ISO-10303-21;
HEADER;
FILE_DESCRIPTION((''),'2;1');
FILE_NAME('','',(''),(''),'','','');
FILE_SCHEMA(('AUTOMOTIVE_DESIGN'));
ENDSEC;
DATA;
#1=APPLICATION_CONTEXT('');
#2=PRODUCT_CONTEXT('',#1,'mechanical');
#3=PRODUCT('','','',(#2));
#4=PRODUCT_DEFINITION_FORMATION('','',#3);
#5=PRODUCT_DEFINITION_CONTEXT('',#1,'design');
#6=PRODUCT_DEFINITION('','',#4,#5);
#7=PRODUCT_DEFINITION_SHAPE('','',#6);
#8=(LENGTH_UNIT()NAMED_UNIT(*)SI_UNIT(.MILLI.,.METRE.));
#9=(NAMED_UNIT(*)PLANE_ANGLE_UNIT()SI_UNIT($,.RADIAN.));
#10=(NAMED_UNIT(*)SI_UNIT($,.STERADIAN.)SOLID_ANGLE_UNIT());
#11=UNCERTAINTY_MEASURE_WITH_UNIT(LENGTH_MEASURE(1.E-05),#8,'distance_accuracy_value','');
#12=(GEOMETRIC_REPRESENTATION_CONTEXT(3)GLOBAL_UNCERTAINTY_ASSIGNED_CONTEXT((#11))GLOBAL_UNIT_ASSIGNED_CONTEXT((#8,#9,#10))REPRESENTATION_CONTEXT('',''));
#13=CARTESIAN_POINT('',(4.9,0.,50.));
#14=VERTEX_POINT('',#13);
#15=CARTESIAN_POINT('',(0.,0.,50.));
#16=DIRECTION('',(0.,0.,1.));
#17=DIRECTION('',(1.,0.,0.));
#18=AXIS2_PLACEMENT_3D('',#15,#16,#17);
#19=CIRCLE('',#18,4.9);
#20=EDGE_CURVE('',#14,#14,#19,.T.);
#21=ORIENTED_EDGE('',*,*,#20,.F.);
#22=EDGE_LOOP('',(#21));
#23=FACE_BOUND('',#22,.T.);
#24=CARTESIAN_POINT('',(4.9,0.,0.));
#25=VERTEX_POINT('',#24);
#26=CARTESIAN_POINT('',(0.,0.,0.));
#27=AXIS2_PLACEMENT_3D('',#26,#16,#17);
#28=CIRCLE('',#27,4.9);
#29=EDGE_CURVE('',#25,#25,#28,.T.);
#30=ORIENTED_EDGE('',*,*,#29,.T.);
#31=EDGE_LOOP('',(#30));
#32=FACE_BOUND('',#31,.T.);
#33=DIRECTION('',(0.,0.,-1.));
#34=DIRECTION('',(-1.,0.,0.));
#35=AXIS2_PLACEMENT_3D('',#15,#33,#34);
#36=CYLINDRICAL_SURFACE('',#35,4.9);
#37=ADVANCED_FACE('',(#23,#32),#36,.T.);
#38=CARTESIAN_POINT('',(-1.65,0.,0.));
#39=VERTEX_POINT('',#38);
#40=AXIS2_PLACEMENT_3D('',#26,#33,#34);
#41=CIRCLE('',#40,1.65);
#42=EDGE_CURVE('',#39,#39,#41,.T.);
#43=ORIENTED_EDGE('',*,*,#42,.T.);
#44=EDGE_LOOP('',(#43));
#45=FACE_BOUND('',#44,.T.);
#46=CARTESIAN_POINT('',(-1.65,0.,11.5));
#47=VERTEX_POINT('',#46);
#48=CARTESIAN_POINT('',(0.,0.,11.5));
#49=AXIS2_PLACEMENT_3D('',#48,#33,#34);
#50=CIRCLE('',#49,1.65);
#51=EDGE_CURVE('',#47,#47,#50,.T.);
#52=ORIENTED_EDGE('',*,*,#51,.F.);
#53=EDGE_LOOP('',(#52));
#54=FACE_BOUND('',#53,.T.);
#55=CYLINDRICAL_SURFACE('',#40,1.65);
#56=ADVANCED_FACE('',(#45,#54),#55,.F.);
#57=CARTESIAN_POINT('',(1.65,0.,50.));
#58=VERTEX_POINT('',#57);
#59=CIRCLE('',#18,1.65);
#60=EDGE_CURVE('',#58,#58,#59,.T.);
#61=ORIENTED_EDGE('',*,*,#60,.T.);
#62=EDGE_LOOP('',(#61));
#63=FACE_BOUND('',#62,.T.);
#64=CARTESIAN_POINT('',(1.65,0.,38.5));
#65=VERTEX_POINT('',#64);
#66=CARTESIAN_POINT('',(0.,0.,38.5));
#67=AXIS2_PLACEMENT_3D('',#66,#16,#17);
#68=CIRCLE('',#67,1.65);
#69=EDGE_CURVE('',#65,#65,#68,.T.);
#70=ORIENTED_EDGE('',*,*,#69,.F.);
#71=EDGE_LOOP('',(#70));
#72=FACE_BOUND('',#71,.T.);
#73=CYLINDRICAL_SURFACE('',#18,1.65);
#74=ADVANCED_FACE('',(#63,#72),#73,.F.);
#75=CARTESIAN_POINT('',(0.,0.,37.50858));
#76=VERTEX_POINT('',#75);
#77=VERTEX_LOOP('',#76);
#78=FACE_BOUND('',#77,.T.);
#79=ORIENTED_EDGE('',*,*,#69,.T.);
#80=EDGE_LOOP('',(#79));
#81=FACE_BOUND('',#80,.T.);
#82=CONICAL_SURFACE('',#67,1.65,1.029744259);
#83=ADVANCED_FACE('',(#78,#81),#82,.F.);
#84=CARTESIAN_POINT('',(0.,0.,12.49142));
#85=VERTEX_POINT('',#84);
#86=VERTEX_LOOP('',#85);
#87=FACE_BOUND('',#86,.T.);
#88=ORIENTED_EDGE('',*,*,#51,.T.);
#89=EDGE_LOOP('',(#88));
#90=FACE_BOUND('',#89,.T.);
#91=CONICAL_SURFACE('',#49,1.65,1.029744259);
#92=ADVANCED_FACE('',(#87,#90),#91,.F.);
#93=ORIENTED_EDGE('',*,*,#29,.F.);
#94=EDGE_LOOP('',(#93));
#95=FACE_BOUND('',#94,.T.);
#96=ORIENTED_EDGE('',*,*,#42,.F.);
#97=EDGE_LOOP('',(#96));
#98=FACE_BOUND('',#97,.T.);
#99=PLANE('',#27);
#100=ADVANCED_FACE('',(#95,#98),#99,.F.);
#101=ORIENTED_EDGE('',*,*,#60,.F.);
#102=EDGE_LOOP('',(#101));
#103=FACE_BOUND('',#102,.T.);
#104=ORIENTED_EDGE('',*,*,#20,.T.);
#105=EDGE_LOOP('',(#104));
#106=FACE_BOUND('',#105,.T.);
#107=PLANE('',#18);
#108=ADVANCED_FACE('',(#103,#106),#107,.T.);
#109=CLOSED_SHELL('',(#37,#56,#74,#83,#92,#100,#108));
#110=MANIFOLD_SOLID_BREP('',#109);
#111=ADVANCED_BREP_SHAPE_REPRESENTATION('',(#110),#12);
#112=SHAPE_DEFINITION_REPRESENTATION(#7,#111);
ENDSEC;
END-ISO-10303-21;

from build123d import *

# Parameters (mm, degrees)
SKETCH_1_R             = 4.9
EXTRUDE_1_DEPTH        = 50
HOLE_WIZARD_M4_1_D     = 3.3
HOLE_WIZARD_M4_1_DEPTH = 11.5
HOLE_WIZARD_M4_1_TIP   = 0.991420021
HOLE_WIZARD_M4_2_D     = 3.3
HOLE_WIZARD_M4_2_DEPTH = 11.5
HOLE_WIZARD_M4_2_TIP   = 0.991420021


with BuildPart() as part:
    # 스케치1 → 보스-돌출1 (new body)
    with BuildSketch(Plane.XY):
        Circle(SKETCH_1_R)
    extrude(amount=EXTRUDE_1_DEPTH)

    # M4 나사 구멍1
    with Locations(Plane.XY.offset(50)):
        with Locations((0, 0)):
            Hole(HOLE_WIZARD_M4_1_D / 2, depth=HOLE_WIZARD_M4_1_DEPTH)
            with Locations((0, 0, -(HOLE_WIZARD_M4_1_DEPTH + HOLE_WIZARD_M4_1_TIP / 2))):  # 118° drill point
                Cone(0, HOLE_WIZARD_M4_1_D / 2, HOLE_WIZARD_M4_1_TIP, mode=Mode.SUBTRACT)

    # M4 나사 구멍2
    with Locations(Plane(origin=(0, 0, 0), x_dir=(-1, 0, 0), z_dir=(0, 0, -1))):
        with Locations((0, 0)):
            Hole(HOLE_WIZARD_M4_2_D / 2, depth=HOLE_WIZARD_M4_2_DEPTH)
            with Locations((0, 0, -(HOLE_WIZARD_M4_2_DEPTH + HOLE_WIZARD_M4_2_TIP / 2))):  # 118° drill point
                Cone(0, HOLE_WIZARD_M4_2_D / 2, HOLE_WIZARD_M4_2_TIP, mode=Mode.SUBTRACT)


solid = part.part
